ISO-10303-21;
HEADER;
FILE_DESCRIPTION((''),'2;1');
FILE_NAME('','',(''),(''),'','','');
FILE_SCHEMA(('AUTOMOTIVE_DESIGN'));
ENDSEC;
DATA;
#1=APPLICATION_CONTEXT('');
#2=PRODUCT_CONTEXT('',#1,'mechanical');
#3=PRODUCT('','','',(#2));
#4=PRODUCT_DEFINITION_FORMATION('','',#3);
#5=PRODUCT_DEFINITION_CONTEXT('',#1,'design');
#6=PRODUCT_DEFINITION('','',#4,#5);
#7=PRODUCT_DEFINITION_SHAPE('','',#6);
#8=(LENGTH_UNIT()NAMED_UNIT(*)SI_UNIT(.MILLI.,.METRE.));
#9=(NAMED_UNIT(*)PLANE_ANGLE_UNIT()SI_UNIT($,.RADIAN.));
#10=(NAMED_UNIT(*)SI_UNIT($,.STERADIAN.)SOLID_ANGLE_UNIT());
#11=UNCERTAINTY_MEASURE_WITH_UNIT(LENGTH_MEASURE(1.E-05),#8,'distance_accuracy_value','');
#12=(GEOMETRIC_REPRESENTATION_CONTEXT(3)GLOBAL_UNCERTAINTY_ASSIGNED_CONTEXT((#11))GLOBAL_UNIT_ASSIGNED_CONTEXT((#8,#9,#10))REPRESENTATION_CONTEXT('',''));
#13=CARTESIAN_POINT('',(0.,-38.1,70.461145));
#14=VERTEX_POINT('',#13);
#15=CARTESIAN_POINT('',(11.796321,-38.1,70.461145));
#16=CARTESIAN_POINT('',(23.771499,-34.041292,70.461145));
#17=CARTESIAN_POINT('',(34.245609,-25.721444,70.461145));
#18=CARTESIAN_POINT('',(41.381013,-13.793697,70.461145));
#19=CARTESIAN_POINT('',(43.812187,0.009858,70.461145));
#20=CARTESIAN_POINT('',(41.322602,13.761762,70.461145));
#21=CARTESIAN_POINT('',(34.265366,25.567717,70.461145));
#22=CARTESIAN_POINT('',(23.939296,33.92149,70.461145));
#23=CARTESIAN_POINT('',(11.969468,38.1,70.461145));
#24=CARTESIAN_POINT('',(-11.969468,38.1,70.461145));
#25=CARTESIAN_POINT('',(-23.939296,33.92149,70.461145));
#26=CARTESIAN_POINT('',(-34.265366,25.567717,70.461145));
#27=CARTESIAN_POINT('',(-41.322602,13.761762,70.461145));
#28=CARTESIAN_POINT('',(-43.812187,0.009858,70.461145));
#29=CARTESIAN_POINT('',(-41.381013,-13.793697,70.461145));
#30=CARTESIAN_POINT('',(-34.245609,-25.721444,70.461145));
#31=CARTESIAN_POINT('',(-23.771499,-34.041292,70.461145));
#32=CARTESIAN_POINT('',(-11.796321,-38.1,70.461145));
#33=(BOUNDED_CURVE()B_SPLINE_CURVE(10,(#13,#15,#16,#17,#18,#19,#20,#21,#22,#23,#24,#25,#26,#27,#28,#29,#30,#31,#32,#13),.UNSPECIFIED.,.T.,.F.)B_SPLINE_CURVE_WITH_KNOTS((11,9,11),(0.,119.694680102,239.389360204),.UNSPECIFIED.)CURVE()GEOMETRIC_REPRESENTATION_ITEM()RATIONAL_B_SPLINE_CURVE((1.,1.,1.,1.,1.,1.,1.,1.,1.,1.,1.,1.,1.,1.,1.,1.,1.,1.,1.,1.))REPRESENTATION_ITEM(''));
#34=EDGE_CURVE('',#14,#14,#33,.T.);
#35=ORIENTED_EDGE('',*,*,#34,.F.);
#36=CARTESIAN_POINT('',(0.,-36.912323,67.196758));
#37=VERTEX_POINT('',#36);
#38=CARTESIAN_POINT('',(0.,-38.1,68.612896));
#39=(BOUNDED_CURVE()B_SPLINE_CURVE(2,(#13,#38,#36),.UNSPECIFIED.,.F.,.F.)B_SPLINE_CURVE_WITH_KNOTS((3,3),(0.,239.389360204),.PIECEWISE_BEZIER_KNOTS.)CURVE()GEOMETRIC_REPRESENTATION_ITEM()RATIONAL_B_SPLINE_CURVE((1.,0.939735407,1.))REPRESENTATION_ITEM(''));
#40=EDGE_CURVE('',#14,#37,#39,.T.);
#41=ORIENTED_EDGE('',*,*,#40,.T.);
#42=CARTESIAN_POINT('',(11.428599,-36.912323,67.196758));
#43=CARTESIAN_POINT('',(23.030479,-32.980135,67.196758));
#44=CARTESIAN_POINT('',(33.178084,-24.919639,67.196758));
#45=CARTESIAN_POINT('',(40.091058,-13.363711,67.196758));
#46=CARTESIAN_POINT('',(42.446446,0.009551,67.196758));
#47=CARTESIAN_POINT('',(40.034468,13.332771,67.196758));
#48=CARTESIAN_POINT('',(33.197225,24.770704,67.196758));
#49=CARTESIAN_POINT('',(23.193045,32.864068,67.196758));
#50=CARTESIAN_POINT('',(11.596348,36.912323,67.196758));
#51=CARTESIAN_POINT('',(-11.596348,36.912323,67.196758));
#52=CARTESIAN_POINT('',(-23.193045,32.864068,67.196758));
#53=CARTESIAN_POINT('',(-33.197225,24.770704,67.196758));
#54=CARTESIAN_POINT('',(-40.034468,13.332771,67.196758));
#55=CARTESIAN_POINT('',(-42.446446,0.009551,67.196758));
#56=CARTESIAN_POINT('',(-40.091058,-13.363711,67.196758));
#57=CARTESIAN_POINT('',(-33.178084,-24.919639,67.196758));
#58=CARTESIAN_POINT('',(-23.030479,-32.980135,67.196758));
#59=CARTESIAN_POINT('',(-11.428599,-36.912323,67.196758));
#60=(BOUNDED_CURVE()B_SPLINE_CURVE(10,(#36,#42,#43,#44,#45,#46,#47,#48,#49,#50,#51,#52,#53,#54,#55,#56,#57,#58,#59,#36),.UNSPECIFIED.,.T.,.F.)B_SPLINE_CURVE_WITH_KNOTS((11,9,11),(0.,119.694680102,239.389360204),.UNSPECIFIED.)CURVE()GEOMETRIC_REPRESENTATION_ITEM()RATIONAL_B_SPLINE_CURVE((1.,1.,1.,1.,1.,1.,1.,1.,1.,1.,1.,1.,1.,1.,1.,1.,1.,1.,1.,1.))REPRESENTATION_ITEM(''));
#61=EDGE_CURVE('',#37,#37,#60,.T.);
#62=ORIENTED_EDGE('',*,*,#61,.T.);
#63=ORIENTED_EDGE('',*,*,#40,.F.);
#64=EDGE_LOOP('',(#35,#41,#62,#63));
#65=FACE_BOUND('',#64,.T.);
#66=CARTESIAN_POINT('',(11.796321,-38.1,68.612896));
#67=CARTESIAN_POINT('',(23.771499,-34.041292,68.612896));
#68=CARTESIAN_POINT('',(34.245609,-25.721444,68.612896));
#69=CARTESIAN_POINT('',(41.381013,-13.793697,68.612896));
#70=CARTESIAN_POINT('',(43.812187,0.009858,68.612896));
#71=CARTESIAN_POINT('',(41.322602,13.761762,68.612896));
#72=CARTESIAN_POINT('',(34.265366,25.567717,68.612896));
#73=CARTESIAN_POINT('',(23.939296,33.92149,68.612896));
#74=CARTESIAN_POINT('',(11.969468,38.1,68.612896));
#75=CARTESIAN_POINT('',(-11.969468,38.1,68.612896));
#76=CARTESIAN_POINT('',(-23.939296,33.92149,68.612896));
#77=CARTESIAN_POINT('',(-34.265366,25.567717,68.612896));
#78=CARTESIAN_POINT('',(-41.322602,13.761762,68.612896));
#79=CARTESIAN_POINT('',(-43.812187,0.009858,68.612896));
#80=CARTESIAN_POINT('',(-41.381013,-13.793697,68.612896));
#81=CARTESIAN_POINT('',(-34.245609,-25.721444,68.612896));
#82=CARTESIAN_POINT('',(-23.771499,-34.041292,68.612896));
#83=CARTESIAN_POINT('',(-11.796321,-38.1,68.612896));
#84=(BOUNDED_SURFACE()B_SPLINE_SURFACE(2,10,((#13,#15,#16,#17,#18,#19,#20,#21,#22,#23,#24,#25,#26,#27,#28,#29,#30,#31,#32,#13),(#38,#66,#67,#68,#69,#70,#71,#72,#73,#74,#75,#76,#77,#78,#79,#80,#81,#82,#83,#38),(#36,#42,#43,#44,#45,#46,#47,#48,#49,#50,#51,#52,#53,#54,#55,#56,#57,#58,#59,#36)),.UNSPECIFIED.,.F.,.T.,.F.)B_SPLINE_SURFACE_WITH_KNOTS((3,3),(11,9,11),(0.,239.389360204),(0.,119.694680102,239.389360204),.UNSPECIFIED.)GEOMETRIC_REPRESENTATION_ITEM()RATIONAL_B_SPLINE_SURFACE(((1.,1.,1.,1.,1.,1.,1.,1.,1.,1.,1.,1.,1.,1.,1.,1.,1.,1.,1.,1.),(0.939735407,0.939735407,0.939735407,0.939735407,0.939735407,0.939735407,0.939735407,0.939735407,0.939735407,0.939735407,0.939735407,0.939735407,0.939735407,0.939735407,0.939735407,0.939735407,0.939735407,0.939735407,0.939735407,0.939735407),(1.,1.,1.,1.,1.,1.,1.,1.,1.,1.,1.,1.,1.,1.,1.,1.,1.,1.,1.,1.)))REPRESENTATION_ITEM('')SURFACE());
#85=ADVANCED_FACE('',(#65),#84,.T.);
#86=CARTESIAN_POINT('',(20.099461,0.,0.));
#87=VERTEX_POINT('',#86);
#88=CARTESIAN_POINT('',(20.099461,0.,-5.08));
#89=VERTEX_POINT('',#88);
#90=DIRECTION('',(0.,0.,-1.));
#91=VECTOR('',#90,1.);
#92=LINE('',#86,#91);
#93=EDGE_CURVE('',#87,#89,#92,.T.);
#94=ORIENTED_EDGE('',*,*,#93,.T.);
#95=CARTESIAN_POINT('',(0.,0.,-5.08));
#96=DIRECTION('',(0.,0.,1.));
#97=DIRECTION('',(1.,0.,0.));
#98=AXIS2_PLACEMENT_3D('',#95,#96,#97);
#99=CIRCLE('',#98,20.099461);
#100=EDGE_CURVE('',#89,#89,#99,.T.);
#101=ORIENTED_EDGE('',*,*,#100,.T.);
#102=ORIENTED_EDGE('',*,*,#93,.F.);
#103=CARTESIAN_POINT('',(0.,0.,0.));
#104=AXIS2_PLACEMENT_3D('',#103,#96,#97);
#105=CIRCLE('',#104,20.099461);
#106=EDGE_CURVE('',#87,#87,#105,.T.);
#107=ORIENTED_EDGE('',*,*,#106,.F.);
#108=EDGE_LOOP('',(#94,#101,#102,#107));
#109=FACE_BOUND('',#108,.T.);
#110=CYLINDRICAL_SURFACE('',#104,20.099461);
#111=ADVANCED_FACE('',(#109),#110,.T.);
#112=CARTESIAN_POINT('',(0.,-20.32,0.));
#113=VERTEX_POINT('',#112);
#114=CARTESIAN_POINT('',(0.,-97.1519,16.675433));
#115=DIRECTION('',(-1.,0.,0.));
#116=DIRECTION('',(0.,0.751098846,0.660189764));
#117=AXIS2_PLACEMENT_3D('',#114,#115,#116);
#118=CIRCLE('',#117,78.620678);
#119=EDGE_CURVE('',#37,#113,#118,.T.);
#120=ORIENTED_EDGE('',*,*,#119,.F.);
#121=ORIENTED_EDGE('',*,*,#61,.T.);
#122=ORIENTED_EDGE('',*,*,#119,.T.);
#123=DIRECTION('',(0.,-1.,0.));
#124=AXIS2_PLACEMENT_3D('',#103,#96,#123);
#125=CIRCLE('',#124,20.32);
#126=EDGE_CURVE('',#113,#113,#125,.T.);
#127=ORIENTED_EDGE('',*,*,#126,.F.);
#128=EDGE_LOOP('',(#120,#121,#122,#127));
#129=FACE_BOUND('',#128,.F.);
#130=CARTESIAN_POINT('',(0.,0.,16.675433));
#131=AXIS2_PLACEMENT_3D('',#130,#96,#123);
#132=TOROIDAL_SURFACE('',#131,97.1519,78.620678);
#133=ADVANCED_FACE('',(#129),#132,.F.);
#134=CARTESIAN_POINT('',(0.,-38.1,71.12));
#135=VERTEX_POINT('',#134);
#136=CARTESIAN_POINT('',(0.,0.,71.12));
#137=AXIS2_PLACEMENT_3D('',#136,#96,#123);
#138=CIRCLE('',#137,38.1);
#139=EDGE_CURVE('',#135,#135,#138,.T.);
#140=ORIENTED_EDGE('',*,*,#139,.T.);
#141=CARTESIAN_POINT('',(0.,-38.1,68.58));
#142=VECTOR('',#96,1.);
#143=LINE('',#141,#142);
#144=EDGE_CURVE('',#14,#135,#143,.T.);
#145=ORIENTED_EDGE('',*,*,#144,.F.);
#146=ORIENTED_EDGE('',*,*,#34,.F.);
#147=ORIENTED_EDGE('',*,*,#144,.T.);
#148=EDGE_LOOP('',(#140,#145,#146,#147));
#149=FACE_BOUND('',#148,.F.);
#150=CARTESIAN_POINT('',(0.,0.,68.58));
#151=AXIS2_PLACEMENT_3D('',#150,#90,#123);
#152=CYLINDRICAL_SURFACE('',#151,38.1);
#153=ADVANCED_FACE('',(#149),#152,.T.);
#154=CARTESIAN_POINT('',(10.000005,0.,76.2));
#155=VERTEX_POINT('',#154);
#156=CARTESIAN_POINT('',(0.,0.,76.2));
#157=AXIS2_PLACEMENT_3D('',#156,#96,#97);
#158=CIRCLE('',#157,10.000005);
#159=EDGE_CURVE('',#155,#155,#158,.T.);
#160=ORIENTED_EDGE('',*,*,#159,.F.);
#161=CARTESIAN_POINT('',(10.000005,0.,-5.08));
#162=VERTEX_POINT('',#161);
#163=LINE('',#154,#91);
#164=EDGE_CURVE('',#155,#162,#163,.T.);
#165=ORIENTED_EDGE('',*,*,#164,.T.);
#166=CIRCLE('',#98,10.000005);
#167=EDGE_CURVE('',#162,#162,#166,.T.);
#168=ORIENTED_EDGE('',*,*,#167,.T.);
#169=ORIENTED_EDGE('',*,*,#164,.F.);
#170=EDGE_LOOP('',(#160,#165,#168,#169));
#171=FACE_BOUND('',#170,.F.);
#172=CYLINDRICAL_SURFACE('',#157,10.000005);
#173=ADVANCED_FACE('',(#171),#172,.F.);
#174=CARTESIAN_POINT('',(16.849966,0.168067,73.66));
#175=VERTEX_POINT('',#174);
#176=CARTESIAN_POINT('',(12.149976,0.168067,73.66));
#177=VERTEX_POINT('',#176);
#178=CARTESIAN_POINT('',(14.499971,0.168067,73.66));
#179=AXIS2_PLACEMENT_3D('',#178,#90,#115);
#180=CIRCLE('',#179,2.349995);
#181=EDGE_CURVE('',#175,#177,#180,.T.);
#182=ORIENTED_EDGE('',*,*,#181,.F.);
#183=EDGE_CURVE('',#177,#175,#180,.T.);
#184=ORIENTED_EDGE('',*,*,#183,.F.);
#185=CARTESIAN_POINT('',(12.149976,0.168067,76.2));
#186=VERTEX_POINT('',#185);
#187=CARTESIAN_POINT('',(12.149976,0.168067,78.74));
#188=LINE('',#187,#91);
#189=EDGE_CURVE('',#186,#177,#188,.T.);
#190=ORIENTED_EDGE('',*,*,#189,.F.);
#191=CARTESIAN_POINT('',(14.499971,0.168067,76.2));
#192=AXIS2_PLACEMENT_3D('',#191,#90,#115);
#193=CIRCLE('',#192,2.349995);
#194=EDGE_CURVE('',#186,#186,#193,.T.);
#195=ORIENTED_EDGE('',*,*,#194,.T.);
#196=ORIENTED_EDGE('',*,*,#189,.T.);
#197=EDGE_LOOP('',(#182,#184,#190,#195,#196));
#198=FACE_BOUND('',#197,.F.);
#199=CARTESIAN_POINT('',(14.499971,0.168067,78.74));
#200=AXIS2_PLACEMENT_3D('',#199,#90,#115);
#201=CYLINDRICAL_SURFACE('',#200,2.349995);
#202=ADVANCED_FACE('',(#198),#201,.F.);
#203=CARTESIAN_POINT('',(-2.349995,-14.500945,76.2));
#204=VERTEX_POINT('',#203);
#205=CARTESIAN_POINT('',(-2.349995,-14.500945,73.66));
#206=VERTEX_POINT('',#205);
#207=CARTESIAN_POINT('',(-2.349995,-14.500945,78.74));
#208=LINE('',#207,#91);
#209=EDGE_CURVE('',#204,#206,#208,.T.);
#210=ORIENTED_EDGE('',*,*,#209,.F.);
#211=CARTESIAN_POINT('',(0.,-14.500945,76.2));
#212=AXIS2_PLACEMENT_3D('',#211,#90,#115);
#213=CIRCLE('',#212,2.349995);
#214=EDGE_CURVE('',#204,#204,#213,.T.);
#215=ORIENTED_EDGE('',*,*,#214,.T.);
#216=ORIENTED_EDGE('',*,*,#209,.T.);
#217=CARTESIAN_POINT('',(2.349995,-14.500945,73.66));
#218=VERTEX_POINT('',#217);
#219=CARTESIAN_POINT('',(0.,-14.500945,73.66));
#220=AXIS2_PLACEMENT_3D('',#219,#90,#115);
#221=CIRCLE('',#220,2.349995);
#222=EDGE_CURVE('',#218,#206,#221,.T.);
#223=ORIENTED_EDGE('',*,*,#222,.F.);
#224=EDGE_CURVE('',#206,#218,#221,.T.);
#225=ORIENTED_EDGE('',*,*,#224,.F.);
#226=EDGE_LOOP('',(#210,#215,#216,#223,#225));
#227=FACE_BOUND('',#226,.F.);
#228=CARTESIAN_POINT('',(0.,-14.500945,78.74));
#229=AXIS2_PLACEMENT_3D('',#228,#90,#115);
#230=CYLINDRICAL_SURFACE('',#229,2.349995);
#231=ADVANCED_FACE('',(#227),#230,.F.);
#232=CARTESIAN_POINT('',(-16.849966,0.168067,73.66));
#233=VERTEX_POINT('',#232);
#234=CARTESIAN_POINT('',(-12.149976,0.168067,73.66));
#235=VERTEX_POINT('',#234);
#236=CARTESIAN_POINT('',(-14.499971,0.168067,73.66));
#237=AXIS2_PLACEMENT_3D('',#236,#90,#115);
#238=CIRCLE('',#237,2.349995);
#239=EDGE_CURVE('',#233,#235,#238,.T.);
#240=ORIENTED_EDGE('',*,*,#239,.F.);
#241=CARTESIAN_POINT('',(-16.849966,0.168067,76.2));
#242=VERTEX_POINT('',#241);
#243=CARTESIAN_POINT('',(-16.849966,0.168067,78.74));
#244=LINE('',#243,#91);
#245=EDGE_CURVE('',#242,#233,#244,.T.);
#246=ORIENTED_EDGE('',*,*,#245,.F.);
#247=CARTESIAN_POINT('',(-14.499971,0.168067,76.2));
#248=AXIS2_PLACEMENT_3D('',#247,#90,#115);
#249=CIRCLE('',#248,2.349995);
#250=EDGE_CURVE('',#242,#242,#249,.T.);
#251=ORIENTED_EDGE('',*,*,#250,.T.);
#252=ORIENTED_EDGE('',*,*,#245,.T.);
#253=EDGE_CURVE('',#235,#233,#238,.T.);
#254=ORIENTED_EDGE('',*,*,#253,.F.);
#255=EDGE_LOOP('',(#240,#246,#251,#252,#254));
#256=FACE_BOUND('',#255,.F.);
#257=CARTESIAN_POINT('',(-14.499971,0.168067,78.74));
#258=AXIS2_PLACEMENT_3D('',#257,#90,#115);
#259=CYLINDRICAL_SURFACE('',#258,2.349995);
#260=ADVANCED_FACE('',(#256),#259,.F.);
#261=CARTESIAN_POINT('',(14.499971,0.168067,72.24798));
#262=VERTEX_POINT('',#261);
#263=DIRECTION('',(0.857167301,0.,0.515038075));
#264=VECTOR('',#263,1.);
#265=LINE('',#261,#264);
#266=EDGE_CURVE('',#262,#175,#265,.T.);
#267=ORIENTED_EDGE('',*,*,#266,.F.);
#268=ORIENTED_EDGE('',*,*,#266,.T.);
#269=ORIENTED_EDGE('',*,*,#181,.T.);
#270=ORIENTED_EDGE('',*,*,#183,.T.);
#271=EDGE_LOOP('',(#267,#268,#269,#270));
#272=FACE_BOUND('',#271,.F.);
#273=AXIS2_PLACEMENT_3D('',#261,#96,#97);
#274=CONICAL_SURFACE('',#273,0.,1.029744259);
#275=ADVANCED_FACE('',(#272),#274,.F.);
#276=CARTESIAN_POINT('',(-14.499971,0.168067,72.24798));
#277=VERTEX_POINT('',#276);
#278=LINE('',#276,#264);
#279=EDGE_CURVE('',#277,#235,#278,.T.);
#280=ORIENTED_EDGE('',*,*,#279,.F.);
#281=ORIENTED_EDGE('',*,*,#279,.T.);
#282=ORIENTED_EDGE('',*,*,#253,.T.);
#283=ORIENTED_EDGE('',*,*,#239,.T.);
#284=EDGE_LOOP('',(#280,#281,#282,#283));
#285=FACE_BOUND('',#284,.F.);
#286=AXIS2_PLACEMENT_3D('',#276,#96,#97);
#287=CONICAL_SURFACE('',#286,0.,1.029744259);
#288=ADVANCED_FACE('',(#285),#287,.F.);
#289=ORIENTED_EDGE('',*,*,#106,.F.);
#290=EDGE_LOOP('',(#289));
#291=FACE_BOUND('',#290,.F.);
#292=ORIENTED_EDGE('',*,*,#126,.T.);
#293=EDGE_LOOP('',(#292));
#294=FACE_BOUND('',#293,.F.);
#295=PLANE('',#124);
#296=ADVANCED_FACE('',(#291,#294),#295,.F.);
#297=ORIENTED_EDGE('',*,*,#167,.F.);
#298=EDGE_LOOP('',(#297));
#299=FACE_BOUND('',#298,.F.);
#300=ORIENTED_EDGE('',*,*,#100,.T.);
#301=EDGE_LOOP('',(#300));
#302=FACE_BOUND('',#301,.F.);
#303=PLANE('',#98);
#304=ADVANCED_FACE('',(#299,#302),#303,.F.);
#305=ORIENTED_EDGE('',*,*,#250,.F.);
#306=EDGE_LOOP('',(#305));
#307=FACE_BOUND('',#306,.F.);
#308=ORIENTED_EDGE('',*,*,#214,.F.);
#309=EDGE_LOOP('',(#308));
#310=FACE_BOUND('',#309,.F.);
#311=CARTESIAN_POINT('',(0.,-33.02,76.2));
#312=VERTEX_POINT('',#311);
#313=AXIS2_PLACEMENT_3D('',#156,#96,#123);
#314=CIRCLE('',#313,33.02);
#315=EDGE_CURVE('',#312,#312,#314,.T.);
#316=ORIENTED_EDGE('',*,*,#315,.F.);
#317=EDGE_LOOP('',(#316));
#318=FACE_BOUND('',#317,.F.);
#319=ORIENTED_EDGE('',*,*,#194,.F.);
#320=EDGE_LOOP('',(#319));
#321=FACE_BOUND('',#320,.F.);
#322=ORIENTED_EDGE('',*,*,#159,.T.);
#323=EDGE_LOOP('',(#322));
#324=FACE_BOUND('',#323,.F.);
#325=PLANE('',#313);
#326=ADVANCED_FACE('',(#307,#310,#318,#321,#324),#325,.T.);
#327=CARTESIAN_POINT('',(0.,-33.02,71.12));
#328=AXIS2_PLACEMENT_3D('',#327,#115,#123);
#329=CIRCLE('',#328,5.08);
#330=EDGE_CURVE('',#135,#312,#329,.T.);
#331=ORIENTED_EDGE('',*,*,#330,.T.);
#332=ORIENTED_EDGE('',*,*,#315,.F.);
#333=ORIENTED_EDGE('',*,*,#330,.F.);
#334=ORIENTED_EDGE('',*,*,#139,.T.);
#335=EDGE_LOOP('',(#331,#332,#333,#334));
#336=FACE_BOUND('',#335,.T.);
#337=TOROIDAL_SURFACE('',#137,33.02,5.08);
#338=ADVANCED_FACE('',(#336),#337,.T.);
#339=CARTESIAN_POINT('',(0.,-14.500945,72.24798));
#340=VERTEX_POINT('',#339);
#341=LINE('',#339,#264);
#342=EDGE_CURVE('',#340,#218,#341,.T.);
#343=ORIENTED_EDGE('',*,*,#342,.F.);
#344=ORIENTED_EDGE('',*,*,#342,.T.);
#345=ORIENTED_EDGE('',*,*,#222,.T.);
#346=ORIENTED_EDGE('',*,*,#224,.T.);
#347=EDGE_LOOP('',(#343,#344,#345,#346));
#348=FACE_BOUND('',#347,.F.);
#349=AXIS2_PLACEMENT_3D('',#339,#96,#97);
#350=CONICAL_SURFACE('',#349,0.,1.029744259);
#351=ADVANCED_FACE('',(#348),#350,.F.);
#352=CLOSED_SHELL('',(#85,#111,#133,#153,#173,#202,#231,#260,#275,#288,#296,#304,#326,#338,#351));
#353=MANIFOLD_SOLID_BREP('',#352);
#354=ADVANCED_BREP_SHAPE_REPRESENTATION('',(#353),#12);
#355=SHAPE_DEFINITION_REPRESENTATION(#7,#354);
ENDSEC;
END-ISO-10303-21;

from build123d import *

# Parameters (mm, degrees)
F3_R      = 20.0994613734
F4_DEPTH  = 5.08
F5_DEPTH  = 7.62
F6_R      = 5.08
F8_D      = 4.6999906
F8_DEPTH  = 2.54
F8_TIP    = 1.4120196307
F9_R      = 10.0000054
F10_DEPTH = 81.281


with BuildPart() as f2:
    # F0 (on Right) → F2 (revolve)
    with BuildSketch(Plane.YZ):
        with BuildLine():
            Line((-10.16, 0), (0, 0))
            Line((0, 0), (0, 68.58))
            Line((0, 68.58), (-38.1, 68.58))
            ThreePointArc((-38.1, 68.58), (-21.0473280724, 36.4062482775), (-20.32, 0))
            Line((-20.32, 0), (-10.16, 0))
        make_face()
    revolve(axis=Axis((0, 0, 21.4434694499), (0, 0, 1)))

    # F3 (on Top) → F4 (join)
    with BuildSketch(Plane.XY):
        Circle(F3_R)
    extrude(amount=-F4_DEPTH)

    # F5 (add): a face of the model
    f5_faces = [f2.faces().sort_by_distance(p)[0] for p in [
        (0, 0, 68.58),
    ]]
    extrude(f5_faces, amount=F5_DEPTH)

    # F6
    f6_edges = [f2.edges().sort_by_distance(p)[0] for p in [
        (0, 38.1, 76.2),
        (0, 38.1, 68.58),
    ]]
    fillet(f6_edges, radius=F6_R)

    # F8
    with Locations(Plane.XY.offset(76.2)):
        with Locations((14.499971, 0.168066554), (-14.499971, 0.168066554), (0, -14.5009449819)):
            Hole(F8_D / 2, depth=F8_DEPTH)
            with Locations((0, 0, -(F8_DEPTH + F8_TIP / 2))):  # 118° drill point
                Cone(0, F8_D / 2, F8_TIP, mode=Mode.SUBTRACT)

    # F9 (on face) → F10 (cut, through all)
    with BuildSketch(Plane.XY.offset(76.2)):
        Circle(F9_R)
    extrude(amount=-F10_DEPTH, mode=Mode.SUBTRACT)


solid = f2.part
